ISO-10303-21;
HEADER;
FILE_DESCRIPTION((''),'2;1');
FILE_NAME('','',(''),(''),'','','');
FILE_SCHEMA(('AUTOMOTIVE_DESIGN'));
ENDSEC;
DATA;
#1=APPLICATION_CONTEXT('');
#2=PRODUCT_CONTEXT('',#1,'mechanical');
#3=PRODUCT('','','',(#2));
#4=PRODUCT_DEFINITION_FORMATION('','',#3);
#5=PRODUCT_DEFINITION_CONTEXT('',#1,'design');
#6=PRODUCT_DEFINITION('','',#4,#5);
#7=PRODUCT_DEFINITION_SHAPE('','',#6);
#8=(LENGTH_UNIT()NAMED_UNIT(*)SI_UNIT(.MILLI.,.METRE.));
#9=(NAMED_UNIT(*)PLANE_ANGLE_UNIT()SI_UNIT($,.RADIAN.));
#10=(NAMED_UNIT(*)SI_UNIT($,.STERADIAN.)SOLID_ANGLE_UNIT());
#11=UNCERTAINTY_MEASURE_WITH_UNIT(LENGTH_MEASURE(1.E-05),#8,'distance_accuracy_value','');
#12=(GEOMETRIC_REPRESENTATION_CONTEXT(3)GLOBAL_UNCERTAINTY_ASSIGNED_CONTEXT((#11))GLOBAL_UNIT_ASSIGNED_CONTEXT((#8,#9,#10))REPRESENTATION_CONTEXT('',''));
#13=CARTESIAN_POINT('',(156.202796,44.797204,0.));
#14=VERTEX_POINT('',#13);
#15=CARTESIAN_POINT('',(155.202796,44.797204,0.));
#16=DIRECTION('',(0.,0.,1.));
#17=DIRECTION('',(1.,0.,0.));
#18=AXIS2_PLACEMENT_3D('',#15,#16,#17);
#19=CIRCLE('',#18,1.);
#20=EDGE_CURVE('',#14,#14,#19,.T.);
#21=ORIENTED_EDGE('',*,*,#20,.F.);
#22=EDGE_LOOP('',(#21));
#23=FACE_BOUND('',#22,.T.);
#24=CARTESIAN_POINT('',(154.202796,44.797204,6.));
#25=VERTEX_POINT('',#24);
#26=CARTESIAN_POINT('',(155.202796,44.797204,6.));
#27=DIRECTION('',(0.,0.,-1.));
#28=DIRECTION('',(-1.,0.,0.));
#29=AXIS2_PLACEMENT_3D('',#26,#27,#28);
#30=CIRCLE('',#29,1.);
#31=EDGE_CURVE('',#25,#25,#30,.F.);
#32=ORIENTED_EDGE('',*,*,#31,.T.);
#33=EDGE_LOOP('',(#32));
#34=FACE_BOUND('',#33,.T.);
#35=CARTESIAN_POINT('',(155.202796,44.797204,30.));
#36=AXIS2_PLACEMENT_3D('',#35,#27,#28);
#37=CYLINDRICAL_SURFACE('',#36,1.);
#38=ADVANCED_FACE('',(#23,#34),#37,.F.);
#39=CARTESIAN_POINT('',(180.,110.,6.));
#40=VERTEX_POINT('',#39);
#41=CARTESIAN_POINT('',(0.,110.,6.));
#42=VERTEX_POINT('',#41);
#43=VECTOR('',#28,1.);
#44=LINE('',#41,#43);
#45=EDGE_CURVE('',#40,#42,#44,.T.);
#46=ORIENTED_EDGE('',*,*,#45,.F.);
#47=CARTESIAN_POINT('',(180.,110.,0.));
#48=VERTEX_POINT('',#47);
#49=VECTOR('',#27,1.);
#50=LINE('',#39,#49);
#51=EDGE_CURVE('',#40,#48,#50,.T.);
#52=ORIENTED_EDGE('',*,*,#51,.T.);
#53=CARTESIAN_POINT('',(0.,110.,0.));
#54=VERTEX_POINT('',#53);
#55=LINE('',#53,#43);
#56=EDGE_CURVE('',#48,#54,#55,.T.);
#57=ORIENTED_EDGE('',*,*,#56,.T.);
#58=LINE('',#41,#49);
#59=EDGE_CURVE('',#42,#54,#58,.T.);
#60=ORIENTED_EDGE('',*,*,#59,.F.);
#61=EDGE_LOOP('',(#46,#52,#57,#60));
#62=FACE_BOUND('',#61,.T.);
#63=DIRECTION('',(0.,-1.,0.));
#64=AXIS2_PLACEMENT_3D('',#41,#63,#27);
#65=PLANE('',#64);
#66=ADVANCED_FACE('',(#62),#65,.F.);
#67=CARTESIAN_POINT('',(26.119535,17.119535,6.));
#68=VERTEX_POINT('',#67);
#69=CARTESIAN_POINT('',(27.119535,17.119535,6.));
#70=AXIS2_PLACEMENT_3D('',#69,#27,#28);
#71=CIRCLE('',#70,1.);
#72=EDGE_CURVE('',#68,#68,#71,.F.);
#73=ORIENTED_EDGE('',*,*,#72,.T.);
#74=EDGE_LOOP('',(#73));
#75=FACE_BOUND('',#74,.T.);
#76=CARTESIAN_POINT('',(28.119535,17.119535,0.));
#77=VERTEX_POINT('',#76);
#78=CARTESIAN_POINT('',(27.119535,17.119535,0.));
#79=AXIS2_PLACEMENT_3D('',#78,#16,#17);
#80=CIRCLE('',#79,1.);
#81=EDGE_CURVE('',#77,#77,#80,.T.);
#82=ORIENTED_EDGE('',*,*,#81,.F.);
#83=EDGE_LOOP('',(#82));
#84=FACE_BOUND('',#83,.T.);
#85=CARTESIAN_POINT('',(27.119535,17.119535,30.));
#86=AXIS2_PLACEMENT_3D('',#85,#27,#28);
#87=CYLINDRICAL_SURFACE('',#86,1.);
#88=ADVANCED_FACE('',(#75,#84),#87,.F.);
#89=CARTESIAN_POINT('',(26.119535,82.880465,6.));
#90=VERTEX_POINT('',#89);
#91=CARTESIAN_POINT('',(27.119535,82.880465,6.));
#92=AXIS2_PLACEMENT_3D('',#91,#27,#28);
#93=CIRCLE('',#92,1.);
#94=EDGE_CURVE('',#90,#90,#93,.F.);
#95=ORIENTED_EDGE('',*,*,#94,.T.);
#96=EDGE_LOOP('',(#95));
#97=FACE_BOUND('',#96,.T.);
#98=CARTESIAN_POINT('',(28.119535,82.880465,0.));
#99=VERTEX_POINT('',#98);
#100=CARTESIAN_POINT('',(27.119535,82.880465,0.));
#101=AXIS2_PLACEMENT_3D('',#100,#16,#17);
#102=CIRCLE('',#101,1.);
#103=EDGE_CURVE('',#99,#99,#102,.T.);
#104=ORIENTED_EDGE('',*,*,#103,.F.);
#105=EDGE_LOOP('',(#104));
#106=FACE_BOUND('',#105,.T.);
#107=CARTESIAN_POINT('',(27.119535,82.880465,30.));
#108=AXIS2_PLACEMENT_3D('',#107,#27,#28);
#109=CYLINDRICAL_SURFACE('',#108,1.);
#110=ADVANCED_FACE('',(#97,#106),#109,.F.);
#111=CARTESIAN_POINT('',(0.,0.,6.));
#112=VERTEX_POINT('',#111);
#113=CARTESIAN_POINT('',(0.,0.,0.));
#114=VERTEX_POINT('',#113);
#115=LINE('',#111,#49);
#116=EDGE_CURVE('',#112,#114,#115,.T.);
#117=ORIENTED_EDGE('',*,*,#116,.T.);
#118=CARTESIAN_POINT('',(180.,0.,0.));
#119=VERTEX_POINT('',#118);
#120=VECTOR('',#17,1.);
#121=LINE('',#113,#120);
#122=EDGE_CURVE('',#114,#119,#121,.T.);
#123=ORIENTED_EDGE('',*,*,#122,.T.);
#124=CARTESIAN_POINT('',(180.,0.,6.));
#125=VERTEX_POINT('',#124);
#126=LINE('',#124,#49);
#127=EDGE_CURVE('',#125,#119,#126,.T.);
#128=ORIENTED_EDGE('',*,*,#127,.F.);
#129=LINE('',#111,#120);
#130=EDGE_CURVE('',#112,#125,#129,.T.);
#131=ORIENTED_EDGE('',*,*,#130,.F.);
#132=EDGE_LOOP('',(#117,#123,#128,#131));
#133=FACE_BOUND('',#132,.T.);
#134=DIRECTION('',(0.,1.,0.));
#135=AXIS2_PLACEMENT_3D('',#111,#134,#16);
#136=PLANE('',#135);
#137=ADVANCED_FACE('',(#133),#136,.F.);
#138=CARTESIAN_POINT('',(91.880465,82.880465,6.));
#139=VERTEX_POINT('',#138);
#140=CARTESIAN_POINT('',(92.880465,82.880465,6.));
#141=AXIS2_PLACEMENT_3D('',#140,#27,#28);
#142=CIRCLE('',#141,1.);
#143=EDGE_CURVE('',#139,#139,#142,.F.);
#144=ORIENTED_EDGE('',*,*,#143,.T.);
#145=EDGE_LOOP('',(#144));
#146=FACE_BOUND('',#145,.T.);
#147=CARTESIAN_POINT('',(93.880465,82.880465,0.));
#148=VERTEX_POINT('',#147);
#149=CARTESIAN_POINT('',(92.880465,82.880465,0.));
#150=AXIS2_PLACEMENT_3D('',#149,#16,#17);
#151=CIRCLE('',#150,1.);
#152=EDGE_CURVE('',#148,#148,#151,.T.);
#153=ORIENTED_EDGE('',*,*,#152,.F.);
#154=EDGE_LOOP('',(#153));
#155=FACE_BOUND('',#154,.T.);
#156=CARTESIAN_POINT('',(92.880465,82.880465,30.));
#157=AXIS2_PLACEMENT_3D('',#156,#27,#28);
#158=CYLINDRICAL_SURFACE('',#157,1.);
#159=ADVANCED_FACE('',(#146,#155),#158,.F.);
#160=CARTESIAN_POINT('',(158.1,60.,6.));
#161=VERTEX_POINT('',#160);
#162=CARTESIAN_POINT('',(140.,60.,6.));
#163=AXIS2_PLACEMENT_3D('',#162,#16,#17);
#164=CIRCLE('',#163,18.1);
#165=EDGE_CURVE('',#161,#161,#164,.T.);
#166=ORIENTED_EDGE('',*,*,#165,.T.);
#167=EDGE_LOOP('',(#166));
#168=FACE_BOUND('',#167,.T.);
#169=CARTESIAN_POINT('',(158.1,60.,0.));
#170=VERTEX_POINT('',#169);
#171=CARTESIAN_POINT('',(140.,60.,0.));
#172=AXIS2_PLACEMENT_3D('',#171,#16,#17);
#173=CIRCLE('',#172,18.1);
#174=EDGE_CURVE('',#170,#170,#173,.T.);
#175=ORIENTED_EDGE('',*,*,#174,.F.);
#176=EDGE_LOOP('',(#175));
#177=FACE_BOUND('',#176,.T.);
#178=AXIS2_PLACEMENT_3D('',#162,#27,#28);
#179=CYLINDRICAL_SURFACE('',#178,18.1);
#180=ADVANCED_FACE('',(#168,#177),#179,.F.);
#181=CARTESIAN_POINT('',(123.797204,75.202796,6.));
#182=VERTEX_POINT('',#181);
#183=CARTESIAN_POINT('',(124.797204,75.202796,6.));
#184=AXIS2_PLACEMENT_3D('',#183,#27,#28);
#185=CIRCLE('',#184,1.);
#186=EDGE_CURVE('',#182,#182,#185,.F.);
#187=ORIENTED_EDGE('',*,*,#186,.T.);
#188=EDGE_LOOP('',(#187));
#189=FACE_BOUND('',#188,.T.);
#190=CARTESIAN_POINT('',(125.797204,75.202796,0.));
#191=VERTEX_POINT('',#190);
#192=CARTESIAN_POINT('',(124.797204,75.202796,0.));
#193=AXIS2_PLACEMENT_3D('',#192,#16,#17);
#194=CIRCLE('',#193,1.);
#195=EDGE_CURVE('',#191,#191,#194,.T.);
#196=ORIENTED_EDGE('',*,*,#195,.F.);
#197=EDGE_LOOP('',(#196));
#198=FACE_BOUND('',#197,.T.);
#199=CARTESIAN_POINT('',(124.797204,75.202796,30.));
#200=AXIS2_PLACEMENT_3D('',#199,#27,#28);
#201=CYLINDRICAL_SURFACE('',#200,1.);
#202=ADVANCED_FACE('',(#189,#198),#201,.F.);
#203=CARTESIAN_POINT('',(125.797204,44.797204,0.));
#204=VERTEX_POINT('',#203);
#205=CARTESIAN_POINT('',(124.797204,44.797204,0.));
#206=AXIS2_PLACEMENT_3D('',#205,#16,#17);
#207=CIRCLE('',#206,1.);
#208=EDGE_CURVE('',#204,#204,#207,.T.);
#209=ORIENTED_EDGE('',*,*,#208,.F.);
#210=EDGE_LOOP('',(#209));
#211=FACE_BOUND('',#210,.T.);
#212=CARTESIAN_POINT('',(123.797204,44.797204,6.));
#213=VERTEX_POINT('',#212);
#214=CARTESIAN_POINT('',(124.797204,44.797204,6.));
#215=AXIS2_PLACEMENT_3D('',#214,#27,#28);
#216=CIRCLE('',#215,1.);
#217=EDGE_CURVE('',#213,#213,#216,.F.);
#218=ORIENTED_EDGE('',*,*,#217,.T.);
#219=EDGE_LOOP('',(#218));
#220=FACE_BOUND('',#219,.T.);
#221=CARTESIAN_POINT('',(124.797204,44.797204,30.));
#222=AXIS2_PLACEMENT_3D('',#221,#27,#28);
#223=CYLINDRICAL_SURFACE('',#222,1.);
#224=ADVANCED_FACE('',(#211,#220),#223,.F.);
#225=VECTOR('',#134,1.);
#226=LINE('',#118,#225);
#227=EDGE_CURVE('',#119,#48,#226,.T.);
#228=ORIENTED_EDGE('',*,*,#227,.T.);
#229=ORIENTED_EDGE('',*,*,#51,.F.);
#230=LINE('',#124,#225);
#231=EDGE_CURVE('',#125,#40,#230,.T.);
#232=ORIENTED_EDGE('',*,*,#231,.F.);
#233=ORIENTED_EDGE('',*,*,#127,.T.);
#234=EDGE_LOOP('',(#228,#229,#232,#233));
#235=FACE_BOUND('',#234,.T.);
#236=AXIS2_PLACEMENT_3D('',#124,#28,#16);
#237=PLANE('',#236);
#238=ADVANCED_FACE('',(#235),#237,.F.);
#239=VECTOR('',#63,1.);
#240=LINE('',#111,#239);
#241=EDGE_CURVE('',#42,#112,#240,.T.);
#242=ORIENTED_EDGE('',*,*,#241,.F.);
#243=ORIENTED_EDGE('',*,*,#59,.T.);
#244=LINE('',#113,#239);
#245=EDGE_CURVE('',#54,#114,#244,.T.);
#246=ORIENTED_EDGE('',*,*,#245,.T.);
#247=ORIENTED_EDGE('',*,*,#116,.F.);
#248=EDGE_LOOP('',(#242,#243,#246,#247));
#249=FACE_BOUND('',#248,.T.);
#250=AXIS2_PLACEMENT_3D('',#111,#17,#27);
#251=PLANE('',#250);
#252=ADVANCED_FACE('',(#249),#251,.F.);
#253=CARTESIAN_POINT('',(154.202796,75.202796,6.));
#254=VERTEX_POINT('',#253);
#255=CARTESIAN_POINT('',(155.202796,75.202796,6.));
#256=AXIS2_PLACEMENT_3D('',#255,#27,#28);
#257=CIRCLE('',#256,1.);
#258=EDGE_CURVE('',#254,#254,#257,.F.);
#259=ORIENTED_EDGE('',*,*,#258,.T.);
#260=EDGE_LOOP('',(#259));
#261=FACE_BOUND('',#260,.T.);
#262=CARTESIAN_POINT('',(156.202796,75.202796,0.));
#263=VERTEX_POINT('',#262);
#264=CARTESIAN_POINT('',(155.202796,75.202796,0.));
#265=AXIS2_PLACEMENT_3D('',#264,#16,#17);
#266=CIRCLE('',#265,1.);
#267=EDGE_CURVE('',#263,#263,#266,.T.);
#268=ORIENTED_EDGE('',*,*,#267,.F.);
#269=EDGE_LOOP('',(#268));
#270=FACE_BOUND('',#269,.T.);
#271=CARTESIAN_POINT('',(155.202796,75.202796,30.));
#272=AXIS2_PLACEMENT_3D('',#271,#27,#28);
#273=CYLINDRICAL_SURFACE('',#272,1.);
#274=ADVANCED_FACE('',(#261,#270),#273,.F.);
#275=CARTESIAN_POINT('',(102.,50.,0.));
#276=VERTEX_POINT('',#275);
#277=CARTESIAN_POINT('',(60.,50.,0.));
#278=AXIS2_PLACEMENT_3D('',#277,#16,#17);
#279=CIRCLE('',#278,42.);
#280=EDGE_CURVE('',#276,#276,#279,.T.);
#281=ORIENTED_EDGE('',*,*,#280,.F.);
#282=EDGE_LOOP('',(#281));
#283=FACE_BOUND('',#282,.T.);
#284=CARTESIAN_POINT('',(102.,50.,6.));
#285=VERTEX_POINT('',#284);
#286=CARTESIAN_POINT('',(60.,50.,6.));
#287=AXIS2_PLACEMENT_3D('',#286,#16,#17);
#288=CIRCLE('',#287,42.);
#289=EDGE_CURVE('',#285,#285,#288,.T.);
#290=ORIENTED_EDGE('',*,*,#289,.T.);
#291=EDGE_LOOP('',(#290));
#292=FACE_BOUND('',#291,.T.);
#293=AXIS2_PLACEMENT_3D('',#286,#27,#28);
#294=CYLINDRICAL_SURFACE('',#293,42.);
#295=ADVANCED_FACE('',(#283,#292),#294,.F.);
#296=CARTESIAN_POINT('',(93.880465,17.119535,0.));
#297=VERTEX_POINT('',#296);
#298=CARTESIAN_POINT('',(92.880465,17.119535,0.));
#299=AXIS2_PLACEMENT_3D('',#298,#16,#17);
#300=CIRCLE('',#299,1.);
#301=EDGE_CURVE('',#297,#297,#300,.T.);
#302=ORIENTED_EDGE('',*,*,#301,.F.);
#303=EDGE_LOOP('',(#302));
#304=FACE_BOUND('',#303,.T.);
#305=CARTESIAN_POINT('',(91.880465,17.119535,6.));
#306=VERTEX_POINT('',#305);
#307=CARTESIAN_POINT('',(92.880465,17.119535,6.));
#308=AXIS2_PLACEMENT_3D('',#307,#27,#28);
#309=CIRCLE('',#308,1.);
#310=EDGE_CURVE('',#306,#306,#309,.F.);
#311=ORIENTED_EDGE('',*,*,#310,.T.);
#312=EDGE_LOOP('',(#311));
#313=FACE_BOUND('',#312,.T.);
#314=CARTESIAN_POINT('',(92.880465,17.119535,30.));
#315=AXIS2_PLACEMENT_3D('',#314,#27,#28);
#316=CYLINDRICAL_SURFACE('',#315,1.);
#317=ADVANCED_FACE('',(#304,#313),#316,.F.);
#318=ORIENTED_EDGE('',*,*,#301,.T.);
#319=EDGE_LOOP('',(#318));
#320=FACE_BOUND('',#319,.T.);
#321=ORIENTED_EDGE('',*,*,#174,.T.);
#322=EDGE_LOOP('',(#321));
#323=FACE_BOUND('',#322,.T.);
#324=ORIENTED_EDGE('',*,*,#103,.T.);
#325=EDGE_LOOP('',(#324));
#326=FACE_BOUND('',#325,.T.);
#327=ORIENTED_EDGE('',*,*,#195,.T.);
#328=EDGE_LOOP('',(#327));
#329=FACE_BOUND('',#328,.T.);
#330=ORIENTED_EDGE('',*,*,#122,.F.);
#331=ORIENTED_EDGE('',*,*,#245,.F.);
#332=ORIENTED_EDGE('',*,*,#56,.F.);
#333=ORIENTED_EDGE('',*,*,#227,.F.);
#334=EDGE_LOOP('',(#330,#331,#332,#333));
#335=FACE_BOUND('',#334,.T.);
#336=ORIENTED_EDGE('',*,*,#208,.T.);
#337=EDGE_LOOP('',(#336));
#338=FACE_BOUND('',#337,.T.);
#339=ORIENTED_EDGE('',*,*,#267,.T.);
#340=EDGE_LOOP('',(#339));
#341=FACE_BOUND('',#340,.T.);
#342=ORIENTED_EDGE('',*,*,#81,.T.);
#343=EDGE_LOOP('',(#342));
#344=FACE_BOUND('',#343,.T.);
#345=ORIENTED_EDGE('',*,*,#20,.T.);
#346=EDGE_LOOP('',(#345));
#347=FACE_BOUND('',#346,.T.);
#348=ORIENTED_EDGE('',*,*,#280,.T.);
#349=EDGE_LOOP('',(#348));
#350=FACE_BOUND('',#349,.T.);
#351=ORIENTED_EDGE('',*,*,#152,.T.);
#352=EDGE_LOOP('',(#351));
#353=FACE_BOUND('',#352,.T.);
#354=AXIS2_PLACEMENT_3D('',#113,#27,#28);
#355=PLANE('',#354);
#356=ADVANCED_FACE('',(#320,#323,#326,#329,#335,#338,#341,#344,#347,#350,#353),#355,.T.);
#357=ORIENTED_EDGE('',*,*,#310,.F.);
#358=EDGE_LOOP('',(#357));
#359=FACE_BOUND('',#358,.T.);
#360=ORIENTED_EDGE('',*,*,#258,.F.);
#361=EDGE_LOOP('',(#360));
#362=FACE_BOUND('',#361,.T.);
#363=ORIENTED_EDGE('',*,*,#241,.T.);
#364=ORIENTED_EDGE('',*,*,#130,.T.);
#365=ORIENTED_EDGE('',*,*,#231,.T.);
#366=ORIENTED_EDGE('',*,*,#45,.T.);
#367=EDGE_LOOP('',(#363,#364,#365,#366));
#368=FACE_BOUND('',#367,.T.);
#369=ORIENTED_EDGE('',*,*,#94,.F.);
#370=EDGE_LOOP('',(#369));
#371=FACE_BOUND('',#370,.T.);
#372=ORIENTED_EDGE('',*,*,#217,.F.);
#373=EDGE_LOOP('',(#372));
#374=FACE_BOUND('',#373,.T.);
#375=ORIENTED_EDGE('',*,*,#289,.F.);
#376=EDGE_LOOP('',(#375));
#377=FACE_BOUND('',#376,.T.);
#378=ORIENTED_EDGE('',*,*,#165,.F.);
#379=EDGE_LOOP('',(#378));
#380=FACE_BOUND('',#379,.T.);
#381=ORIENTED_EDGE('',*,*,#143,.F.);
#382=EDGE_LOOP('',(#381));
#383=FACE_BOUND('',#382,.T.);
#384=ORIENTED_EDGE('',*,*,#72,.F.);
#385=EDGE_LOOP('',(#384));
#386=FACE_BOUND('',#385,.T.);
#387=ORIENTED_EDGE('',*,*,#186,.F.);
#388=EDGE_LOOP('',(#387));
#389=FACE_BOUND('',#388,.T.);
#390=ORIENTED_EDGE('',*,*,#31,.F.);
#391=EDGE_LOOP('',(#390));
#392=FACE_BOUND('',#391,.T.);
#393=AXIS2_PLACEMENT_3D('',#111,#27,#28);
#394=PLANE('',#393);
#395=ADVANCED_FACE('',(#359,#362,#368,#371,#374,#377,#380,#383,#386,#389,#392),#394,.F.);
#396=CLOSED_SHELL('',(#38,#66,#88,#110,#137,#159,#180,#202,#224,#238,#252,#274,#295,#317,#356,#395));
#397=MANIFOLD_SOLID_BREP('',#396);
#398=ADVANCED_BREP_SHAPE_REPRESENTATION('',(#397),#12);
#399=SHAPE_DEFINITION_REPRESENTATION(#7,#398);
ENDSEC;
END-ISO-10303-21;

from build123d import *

# Parameters (mm, degrees)
SKETCH1_W           = 180
SKETCH1_H           = 110
SKETCH1_R           = 42
SKETCH1_R_2         = 18.1
BOSS_EXTRUDE1_DEPTH = 6
SKETCH3_R           = 1
CUT_EXTRUDE1_DEPTH  = 30


with BuildPart() as part:
    # Sketch1 → Boss-Extrude1 (new body)
    with BuildSketch(Plane.XY):
        with Locations((90, 55)):
            Rectangle(SKETCH1_W, SKETCH1_H)
        with Locations((60, 50)):
            Circle(SKETCH1_R, mode=Mode.SUBTRACT)
        with Locations((140, 60)):
            Circle(SKETCH1_R_2, mode=Mode.SUBTRACT)
    extrude(amount=BOSS_EXTRUDE1_DEPTH)

    # Sketch3 → Cut-Extrude1 (cut)
    with BuildSketch(Plane.XY):
        with Locations((92.880465325, 82.880465325)):
            Circle(SKETCH3_R)
        with Locations((27.119534675, 82.880465325)):
            Circle(SKETCH3_R)
        with Locations((27.119534675, 17.119534675)):
            Circle(SKETCH3_R)
        with Locations((92.880465325, 17.119534675)):
            Circle(SKETCH3_R)
        with Locations((155.202795796, 75.202795796)):
            Circle(SKETCH3_R)
        with Locations((124.797204204, 75.202795796)):
            Circle(SKETCH3_R)
        with Locations((124.797204204, 44.797204204)):
            Circle(SKETCH3_R)
        with Locations((155.202795796, 44.797204204)):
            Circle(SKETCH3_R)
    extrude(amount=CUT_EXTRUDE1_DEPTH, mode=Mode.SUBTRACT)


solid = part.part
